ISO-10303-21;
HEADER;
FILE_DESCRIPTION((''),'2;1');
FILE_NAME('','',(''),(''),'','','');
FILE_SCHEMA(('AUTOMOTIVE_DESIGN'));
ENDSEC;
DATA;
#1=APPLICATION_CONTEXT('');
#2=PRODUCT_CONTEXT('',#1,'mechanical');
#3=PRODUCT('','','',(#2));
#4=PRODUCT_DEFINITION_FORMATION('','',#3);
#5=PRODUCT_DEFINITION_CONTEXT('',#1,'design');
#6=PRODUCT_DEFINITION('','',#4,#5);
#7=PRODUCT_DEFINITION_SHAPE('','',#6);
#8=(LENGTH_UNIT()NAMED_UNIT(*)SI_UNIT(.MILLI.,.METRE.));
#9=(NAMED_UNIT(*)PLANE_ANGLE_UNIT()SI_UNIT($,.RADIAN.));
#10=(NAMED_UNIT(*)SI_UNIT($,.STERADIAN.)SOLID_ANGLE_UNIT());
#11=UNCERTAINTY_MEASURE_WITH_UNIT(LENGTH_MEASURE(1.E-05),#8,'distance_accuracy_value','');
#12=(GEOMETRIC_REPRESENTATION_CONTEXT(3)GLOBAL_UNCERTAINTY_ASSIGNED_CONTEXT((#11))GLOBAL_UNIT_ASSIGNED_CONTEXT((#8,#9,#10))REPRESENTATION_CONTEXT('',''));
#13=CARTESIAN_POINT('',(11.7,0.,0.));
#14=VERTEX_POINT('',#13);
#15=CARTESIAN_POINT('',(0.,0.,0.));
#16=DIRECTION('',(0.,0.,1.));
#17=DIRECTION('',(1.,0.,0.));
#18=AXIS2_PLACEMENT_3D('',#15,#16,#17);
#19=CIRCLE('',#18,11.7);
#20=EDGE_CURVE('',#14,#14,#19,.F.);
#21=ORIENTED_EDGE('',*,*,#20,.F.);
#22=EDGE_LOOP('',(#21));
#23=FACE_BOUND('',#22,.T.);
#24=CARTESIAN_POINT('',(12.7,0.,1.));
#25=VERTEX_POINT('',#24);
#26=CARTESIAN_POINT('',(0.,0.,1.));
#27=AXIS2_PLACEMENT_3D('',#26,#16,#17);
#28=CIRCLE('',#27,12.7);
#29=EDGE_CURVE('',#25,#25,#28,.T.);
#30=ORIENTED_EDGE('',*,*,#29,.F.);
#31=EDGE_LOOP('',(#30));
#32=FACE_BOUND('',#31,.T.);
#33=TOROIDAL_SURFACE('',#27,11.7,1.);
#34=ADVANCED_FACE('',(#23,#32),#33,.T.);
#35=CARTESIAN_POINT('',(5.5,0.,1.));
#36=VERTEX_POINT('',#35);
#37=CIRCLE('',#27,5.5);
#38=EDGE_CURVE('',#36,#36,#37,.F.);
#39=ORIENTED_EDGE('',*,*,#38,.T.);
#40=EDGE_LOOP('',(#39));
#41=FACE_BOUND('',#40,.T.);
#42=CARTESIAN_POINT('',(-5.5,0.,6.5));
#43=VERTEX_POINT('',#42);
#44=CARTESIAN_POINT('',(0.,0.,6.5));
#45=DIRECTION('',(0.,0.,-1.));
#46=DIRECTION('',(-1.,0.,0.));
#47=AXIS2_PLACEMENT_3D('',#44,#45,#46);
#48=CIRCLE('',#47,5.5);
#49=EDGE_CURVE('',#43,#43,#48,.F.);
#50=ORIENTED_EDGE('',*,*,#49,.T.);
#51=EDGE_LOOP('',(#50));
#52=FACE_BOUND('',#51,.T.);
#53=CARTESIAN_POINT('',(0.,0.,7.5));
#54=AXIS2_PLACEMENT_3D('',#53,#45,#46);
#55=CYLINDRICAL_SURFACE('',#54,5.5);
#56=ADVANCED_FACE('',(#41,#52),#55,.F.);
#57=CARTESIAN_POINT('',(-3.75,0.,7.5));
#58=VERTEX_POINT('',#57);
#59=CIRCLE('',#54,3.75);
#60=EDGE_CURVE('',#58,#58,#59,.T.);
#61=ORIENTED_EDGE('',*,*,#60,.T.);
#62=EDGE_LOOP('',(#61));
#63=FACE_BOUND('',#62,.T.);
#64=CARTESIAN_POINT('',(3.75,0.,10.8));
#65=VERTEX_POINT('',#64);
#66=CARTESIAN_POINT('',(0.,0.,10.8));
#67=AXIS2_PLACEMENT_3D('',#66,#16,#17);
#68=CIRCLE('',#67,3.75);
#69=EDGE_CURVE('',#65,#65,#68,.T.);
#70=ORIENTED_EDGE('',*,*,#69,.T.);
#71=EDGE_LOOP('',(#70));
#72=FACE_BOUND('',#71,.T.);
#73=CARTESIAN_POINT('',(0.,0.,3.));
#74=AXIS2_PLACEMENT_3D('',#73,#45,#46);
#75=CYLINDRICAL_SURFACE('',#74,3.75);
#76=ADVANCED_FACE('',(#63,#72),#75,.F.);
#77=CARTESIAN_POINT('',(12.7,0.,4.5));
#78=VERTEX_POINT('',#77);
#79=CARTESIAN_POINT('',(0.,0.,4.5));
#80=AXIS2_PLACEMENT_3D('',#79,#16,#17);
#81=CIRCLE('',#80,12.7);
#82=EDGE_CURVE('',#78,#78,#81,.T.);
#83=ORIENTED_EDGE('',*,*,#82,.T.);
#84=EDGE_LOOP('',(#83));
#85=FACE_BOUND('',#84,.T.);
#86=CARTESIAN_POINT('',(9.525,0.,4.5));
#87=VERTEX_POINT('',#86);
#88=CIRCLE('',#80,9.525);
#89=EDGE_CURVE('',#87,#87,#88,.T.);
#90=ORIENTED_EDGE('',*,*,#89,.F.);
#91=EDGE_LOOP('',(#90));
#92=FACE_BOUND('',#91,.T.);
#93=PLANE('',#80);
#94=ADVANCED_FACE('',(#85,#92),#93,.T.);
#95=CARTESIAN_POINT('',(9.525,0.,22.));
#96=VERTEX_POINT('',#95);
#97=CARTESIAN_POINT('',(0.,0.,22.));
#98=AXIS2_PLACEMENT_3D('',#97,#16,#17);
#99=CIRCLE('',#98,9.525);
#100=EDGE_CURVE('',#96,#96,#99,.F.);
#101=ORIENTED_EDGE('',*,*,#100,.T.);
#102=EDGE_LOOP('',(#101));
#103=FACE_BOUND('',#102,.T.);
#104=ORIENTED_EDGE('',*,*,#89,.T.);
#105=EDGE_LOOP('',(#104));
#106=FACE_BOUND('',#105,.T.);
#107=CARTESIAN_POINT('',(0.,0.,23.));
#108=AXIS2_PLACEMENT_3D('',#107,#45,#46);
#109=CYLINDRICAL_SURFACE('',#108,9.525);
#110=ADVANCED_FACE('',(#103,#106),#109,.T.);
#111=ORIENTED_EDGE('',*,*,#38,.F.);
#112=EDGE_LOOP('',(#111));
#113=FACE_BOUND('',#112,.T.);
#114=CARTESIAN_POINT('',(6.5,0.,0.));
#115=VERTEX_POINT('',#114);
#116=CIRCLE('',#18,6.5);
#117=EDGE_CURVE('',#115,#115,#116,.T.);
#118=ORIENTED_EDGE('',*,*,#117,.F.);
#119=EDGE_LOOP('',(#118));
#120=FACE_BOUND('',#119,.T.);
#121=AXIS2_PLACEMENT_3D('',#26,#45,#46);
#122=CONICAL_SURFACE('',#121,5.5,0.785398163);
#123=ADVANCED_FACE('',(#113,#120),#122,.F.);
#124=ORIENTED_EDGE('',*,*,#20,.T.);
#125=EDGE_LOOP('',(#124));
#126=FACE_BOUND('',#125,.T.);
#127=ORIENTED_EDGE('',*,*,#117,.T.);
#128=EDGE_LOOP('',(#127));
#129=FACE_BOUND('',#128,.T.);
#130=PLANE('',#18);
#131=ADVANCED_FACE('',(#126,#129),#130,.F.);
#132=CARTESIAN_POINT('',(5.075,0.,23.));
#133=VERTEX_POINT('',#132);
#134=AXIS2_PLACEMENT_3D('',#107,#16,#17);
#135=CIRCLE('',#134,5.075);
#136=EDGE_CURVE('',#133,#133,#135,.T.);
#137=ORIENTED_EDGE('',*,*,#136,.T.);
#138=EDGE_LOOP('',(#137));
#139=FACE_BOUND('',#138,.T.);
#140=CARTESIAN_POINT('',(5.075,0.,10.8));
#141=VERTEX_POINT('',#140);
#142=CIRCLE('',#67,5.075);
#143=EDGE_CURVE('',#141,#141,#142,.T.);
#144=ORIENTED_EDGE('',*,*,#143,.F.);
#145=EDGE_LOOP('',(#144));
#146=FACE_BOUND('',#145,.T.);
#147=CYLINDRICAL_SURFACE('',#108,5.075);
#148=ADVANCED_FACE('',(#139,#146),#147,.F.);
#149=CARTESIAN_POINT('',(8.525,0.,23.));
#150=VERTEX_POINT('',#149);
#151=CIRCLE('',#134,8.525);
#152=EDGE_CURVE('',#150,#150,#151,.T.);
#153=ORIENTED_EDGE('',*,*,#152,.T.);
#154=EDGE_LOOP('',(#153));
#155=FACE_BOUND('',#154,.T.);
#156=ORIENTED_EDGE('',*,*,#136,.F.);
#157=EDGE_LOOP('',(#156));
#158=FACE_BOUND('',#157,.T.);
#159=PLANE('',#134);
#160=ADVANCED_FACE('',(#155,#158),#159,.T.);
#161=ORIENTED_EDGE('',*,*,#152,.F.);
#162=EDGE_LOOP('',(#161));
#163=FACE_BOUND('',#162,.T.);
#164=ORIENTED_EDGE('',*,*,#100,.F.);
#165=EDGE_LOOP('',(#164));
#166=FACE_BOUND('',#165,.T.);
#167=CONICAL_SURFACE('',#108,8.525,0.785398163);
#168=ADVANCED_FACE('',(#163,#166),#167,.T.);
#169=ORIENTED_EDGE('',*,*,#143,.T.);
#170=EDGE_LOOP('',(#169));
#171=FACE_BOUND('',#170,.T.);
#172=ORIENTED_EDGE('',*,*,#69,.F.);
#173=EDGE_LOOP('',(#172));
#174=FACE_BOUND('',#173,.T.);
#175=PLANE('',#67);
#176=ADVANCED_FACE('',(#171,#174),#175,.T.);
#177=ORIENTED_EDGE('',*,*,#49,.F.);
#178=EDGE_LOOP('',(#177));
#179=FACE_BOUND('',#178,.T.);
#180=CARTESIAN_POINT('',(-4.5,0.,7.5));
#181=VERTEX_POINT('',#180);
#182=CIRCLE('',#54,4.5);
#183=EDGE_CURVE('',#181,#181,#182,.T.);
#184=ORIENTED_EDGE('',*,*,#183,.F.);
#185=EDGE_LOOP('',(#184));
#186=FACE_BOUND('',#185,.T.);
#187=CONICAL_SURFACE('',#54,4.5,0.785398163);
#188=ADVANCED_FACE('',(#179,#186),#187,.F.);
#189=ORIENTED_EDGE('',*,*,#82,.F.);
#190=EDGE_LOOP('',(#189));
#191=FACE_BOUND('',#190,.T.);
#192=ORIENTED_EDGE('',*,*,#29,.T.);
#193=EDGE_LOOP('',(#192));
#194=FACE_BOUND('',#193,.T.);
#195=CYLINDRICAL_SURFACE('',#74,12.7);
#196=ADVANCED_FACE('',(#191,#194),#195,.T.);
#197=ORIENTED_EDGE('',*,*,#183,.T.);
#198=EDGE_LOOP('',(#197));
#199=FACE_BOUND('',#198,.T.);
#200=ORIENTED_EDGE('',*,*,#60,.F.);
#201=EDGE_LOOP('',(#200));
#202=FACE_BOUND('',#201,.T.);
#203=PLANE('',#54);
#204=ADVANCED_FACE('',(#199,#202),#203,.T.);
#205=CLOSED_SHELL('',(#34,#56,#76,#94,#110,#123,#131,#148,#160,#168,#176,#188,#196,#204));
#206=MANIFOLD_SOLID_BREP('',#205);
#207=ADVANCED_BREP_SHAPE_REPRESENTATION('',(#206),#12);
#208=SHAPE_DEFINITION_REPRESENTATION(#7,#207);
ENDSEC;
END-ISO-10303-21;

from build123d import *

# Parameters (mm, degrees)
SKETCH_1_R          = 12.7
SKETCH_1_R_2        = 3.75
EXTRUDE_1_DEPTH     = 3
SKETCH_2_R          = 9.525
SKETCH_2_R_2        = 5.075
EXTRUDE_2_DEPTH     = 20
CHAMFER_1_SIZE      = 1
FILLET_1_R          = 1
SKETCH_3_R          = 12.7
SKETCH_3_R_2        = 9.525
EXTRUDE_3_DEPTH     = 1.5
SKETCH_4_R          = 5.075
SKETCH_4_R_2        = 3.75
EXTRUDE_4_DEPTH     = 7.8
SKETCH_5_R          = 5.5
CUT_EXTRUDE_1_DEPTH = 7.5
CHAMFER_2_SIZE      = 1


with BuildPart() as part:
    # 스케치1 → 보스-돌출1 (new body)
    with BuildSketch(Plane.XY):
        Circle(SKETCH_1_R)
        Circle(SKETCH_1_R_2, mode=Mode.SUBTRACT)
    extrude(amount=EXTRUDE_1_DEPTH)

    # 스케치2 → 보스-돌출2 (add)
    with BuildSketch(Plane.XY.offset(3)):
        Circle(SKETCH_2_R)
        Circle(SKETCH_2_R_2, mode=Mode.SUBTRACT)
    extrude(amount=EXTRUDE_2_DEPTH)

    # 모따기1
    chamfer_1_edges = [part.edges().sort_by_distance(p)[0] for p in [
        (-9.525, 0, 23),
    ]]
    chamfer(chamfer_1_edges, length=CHAMFER_1_SIZE)

    # 필렛1
    fillet_1_edges = [part.edges().sort_by_distance(p)[0] for p in [
        (-12.7, 0, 0),
    ]]
    fillet(fillet_1_edges, radius=FILLET_1_R)

    # 스케치3 → 보스-돌출3 (add)
    with BuildSketch(Plane.XY.offset(3)):
        Circle(SKETCH_3_R)
        Circle(SKETCH_3_R_2, mode=Mode.SUBTRACT)
    extrude(amount=EXTRUDE_3_DEPTH)

    # 스케치4 → 보스-돌출4 (add)
    with BuildSketch(Plane.XY.offset(3)):
        Circle(SKETCH_4_R)
        Circle(SKETCH_4_R_2, mode=Mode.SUBTRACT)
    extrude(amount=EXTRUDE_4_DEPTH)

    # 스케치5 → 컷-돌출1 (cut)
    with BuildSketch(Plane(origin=(0, 0, 0), x_dir=(-1, 0, 0), z_dir=(0, 0, -1))):
        Circle(SKETCH_5_R)
    extrude(amount=-CUT_EXTRUDE_1_DEPTH, mode=Mode.SUBTRACT)

    # 모따기2
    chamfer_2_edges = [part.edges().sort_by_distance(p)[0] for p in [
        (5.5, 0, 7.5),
        (5.5, 0, 0),
    ]]
    chamfer(chamfer_2_edges, length=CHAMFER_2_SIZE)


solid = part.part
